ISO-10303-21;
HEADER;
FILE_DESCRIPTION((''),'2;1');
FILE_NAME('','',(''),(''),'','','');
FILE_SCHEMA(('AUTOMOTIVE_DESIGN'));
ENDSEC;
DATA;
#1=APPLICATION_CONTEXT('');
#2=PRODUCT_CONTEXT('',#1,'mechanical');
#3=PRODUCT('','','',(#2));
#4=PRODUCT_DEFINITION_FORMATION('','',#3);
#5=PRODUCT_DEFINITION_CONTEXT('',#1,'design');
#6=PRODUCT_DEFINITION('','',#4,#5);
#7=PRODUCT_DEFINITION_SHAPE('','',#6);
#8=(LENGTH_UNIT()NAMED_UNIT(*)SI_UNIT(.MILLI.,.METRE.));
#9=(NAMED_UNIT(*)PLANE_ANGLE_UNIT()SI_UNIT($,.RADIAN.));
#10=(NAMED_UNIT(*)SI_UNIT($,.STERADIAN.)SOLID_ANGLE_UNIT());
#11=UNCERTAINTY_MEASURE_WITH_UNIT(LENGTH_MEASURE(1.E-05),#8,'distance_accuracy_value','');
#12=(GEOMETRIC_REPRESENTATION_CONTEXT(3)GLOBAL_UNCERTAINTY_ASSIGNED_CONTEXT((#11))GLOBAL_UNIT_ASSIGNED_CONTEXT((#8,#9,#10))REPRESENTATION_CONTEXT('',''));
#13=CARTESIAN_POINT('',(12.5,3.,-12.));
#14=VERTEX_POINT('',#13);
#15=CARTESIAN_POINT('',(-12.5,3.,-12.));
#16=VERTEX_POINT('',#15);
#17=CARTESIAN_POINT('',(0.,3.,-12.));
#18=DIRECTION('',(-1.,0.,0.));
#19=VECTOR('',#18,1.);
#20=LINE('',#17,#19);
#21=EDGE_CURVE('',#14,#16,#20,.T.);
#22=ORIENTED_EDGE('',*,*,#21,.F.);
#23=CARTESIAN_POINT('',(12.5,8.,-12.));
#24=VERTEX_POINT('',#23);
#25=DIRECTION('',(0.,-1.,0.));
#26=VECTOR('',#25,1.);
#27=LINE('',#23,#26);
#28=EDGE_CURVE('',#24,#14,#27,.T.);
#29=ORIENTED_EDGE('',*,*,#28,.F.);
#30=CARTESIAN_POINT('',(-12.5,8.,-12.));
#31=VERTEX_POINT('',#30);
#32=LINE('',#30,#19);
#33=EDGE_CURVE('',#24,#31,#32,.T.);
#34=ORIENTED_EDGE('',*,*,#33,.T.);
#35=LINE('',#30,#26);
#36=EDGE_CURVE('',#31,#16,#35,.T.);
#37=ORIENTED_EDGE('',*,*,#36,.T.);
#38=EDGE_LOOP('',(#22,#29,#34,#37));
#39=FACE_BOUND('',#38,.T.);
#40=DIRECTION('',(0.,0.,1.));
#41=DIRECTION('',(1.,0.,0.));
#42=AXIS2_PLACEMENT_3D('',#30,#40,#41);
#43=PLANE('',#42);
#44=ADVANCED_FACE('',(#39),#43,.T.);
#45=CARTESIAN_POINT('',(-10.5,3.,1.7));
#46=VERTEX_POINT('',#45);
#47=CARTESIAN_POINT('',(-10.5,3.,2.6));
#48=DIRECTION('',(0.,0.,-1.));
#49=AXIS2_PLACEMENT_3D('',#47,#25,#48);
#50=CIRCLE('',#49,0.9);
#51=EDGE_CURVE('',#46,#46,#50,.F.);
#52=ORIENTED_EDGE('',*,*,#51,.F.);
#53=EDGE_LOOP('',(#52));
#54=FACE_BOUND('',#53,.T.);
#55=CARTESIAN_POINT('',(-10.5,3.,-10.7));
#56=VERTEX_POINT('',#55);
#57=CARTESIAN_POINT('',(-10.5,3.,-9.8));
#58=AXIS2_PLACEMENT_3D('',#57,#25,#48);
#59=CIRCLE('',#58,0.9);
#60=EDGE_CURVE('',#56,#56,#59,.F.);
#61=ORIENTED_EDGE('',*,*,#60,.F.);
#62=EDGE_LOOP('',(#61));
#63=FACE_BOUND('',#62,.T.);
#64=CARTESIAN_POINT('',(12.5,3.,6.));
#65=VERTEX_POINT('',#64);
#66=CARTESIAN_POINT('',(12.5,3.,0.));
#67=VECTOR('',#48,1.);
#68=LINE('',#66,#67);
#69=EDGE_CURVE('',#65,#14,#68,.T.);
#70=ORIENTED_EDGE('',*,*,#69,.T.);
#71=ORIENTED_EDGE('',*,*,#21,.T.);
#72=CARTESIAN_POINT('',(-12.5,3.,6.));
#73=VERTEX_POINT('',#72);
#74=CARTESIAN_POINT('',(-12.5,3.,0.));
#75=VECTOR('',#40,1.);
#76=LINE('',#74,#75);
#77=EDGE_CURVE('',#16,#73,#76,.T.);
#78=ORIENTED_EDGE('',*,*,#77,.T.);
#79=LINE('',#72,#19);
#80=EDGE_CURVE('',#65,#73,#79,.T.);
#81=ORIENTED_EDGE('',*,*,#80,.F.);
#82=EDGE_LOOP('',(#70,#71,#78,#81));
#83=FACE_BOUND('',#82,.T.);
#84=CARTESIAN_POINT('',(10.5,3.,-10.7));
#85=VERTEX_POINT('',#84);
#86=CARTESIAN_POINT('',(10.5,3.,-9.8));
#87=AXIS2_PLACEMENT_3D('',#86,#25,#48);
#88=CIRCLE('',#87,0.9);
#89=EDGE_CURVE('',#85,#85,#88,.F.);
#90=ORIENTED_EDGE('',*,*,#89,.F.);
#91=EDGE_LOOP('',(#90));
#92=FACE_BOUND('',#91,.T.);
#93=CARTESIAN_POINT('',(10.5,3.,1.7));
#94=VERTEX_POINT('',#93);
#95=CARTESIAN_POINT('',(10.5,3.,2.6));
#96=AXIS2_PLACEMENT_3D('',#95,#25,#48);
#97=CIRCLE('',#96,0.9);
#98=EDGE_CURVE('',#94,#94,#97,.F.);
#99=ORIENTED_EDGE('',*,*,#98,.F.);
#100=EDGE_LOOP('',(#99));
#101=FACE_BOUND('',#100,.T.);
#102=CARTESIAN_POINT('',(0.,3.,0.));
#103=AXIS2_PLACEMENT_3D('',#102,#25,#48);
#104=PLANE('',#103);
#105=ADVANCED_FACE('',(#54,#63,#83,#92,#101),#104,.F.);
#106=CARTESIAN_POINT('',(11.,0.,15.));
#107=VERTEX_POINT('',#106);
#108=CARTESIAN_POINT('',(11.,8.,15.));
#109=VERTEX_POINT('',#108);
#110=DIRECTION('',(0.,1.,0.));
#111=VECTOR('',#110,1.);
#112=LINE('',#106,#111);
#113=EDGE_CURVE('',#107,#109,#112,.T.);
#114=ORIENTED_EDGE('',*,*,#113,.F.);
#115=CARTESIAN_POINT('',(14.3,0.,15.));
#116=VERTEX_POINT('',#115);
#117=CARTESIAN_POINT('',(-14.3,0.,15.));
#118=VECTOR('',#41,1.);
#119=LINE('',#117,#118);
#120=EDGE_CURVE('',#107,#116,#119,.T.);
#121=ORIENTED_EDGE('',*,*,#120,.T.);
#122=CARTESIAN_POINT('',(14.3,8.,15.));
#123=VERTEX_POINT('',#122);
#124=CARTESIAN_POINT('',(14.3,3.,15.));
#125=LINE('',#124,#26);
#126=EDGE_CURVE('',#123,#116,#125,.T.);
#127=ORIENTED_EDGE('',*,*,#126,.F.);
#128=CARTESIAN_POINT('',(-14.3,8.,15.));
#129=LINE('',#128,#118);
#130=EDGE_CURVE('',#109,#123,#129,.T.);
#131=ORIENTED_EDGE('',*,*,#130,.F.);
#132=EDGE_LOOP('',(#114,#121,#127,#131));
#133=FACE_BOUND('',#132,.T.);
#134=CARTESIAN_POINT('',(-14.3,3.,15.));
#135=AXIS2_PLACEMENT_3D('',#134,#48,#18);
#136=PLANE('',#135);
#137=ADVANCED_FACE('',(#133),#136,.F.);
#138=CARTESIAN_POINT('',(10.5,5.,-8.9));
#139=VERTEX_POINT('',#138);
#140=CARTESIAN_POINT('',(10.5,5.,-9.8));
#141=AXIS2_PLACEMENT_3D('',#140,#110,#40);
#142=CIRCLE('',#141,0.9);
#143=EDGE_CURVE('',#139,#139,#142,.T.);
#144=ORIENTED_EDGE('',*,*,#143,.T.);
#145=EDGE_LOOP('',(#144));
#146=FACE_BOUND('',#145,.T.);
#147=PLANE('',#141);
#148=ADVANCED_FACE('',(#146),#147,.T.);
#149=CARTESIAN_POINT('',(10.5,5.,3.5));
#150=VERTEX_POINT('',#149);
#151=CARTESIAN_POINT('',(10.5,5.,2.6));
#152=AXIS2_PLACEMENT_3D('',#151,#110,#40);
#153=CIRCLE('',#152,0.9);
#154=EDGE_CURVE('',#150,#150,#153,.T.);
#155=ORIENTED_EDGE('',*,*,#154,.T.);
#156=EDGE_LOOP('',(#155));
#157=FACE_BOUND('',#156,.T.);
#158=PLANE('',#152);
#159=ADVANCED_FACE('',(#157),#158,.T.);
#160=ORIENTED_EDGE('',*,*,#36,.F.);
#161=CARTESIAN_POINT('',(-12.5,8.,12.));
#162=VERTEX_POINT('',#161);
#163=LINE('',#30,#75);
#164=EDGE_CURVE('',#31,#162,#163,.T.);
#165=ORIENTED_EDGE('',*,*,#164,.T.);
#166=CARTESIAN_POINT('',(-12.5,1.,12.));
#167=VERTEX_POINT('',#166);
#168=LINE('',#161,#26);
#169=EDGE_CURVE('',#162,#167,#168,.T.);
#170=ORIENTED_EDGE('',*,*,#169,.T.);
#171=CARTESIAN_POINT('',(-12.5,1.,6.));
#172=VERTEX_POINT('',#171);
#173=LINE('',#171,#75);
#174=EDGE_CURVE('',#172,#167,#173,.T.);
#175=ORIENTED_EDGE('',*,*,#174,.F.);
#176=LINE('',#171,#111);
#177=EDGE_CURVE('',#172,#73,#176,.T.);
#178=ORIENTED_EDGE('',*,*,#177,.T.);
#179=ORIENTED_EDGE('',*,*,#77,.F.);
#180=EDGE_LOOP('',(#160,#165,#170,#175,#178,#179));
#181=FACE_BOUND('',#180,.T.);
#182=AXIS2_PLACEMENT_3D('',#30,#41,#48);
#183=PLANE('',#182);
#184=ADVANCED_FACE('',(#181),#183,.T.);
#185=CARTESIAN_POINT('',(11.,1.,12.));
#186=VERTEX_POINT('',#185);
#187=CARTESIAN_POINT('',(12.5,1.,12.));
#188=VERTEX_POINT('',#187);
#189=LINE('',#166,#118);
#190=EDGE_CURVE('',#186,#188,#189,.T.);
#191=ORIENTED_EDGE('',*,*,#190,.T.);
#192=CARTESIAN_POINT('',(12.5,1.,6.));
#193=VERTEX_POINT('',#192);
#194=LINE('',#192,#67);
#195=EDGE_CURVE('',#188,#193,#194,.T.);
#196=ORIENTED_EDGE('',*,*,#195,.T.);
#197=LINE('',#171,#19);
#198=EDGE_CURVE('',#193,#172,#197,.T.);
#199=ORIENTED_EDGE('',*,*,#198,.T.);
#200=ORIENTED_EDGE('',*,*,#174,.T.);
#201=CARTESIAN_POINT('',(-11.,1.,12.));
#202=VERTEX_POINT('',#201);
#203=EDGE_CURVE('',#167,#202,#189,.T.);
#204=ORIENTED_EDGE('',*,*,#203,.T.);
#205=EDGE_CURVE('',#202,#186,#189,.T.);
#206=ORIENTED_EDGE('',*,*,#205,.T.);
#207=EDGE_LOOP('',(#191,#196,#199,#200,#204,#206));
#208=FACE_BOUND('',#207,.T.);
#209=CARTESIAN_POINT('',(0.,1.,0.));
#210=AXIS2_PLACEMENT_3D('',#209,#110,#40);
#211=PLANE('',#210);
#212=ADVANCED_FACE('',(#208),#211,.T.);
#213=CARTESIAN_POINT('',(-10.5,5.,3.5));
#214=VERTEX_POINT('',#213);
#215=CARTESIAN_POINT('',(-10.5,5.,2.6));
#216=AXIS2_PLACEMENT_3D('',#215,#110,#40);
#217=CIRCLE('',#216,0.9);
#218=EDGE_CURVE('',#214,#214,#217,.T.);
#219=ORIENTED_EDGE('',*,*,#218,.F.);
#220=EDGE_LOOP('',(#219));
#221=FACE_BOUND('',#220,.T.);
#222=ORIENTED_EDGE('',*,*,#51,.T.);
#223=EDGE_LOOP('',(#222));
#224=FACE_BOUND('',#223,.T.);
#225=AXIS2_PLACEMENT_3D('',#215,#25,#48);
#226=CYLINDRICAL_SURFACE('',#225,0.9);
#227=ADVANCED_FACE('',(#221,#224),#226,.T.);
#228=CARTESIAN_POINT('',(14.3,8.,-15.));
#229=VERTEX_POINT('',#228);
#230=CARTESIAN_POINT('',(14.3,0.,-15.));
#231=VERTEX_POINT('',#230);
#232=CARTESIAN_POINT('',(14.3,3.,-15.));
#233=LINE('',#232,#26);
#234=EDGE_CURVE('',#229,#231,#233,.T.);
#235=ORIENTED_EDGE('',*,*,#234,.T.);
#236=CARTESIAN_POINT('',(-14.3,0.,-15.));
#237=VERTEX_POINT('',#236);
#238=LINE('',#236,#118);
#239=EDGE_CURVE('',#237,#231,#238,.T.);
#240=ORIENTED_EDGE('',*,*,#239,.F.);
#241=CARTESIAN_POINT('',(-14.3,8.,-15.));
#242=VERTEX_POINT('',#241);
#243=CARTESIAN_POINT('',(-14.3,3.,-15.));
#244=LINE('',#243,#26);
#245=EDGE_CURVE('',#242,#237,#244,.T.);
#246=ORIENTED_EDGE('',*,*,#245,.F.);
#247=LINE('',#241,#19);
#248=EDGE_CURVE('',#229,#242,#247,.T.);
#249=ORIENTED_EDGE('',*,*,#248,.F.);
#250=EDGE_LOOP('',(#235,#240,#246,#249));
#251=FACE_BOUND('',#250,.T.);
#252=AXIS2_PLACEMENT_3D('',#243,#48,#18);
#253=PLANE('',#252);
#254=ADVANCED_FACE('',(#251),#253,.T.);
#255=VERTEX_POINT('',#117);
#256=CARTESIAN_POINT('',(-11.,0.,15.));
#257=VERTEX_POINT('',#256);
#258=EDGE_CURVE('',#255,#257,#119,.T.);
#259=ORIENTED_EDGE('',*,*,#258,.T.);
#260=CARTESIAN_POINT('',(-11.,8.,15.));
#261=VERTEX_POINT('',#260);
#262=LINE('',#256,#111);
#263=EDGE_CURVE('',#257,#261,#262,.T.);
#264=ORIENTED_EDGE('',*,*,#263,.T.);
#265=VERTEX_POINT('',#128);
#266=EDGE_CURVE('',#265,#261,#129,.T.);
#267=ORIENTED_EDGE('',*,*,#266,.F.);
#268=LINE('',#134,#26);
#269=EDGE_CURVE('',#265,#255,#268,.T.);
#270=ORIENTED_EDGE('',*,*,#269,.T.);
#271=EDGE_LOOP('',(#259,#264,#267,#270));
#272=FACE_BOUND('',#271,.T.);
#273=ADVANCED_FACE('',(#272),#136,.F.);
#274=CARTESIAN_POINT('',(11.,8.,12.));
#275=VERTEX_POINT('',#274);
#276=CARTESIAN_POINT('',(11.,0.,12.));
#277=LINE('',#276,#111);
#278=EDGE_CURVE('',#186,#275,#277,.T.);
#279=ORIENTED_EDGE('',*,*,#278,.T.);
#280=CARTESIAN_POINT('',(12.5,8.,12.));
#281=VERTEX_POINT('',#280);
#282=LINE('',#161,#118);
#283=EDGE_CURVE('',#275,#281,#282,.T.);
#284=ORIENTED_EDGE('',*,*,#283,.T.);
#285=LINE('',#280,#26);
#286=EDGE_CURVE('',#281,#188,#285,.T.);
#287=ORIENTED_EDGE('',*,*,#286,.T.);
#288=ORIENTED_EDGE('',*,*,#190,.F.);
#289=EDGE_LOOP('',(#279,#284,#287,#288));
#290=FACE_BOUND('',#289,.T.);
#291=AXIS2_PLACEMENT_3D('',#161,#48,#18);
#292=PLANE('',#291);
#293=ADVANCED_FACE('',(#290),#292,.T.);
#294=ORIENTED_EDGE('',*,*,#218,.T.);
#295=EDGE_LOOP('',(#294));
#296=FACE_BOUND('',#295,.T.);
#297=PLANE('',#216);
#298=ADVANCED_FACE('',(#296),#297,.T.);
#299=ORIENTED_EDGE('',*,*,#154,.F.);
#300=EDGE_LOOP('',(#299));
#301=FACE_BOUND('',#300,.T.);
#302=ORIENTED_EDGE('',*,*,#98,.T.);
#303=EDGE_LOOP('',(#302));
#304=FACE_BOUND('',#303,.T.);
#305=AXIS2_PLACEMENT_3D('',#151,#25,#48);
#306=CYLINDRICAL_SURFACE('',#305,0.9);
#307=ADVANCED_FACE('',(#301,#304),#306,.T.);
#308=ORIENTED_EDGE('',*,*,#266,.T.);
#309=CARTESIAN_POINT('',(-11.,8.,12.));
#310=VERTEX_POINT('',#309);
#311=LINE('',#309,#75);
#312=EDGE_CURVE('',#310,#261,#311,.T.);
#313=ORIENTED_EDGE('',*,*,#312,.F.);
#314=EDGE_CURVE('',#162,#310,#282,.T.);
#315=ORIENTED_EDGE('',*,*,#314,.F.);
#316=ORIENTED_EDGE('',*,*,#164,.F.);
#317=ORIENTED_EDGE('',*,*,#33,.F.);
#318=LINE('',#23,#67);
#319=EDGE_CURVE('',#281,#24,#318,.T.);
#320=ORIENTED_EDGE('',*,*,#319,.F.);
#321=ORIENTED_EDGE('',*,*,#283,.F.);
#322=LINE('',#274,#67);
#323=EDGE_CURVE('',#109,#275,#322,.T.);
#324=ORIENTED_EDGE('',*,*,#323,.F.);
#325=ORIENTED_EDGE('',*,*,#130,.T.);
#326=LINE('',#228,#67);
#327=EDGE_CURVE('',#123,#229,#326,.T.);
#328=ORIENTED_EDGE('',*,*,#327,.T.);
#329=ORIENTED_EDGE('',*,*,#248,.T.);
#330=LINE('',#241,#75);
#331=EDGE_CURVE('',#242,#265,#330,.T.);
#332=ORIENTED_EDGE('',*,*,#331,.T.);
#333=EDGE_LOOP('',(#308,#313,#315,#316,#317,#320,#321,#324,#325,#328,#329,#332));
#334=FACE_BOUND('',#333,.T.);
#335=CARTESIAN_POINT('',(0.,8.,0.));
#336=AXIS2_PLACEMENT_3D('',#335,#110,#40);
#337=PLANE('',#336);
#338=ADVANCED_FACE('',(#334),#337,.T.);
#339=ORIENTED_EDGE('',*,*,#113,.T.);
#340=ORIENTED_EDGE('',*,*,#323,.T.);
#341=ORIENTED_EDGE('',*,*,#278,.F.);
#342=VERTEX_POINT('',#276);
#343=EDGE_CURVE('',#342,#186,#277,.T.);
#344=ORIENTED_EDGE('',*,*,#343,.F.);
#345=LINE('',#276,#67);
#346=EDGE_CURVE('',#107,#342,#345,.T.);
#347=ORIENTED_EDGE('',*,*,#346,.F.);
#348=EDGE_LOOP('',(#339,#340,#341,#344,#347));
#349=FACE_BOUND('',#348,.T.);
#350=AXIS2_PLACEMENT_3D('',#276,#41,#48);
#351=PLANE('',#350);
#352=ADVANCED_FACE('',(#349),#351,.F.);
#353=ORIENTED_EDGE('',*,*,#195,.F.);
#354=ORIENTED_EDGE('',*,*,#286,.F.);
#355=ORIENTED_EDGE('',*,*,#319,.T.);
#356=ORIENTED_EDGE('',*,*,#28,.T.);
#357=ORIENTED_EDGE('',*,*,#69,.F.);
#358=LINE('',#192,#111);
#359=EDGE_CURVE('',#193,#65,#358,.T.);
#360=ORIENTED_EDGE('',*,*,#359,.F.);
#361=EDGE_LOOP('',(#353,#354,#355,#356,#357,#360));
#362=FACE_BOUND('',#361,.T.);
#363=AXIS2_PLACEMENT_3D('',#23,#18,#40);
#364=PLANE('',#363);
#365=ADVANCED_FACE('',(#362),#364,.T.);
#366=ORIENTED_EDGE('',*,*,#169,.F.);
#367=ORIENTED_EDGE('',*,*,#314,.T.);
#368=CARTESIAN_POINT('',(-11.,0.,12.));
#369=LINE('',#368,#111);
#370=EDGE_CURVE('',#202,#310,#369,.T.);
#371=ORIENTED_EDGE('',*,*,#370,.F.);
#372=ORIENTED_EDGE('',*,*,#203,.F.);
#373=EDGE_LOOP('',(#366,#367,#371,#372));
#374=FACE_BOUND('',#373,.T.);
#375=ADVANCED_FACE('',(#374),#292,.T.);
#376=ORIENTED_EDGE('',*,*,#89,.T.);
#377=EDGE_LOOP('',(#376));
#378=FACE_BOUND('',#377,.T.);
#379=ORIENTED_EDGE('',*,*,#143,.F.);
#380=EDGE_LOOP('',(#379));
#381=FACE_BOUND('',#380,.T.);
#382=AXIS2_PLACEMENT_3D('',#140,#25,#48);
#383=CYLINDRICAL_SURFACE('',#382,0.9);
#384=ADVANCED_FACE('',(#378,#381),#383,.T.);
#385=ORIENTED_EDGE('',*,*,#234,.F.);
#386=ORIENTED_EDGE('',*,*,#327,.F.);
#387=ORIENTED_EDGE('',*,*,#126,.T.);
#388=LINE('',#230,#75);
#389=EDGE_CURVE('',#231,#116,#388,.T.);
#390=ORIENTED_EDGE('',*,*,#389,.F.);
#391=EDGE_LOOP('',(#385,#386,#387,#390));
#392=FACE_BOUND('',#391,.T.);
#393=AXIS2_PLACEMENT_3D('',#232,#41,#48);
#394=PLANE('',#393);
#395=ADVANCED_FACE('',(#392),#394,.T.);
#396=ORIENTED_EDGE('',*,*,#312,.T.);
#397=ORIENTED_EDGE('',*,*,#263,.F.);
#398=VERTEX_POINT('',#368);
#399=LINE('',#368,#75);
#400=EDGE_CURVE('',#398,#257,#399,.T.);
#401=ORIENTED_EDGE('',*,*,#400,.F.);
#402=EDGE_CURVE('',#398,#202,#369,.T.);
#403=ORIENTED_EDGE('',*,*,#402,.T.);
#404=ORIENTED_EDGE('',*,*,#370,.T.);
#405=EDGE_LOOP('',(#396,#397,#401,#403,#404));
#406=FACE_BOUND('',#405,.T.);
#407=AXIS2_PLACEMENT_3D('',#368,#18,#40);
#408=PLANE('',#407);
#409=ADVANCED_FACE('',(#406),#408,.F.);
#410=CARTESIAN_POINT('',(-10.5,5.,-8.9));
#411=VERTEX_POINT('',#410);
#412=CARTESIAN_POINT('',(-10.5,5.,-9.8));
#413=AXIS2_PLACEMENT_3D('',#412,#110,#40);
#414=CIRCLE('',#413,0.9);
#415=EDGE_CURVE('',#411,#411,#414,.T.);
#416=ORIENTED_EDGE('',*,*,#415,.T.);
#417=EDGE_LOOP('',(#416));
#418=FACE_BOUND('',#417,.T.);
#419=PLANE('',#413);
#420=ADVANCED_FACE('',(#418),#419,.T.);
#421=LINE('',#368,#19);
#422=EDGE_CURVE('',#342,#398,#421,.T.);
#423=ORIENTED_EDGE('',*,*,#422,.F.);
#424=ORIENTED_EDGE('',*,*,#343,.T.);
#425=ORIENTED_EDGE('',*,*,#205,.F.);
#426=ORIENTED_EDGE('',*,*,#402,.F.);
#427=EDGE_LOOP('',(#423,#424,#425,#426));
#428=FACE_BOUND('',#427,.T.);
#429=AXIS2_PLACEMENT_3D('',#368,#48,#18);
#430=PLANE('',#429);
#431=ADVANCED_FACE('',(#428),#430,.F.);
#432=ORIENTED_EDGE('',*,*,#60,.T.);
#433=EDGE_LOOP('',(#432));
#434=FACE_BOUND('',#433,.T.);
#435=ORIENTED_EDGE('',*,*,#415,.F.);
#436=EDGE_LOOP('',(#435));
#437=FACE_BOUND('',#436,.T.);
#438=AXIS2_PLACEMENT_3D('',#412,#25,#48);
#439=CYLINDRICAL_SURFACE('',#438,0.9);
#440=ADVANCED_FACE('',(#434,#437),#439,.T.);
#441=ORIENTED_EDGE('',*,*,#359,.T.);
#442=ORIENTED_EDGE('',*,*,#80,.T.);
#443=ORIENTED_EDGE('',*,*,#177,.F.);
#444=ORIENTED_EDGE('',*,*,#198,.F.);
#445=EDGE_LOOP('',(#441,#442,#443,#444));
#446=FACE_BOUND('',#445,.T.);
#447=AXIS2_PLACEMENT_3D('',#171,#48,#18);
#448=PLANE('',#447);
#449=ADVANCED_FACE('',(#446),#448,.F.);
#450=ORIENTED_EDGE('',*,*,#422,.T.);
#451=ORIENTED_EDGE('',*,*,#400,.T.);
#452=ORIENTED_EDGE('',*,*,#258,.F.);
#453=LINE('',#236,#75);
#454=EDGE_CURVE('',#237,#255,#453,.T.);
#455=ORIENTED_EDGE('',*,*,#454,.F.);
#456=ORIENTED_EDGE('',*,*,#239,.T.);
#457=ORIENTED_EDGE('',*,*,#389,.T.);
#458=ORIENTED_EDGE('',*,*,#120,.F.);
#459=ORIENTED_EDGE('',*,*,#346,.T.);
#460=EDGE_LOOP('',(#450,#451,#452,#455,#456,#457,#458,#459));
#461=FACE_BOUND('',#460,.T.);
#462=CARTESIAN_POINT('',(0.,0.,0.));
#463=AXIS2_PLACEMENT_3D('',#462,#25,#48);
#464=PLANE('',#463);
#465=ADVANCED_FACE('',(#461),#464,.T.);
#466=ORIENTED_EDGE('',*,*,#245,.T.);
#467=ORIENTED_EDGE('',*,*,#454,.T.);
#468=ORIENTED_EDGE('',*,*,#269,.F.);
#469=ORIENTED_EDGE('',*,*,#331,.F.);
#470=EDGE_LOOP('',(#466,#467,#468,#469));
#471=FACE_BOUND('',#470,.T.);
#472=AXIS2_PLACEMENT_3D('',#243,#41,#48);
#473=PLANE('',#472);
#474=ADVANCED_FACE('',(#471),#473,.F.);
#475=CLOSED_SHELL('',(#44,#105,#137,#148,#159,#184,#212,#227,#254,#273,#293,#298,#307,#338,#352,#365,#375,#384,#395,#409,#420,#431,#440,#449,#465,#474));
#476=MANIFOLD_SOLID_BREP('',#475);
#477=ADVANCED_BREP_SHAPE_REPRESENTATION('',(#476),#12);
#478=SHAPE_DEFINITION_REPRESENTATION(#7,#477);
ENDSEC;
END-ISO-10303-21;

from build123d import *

# Parameters (mm, degrees)
SKETCH_1_W          = 28.6
SKETCH_1_H          = 30
EXTRUDE_1_DEPTH     = 3
SKETCH_1_4_W        = 28.6
SKETCH_1_4_H        = 30
SKETCH_1_4_W_2      = 25
SKETCH_1_4_H_2      = 24
EXTRUDE_2_DEPTH     = 8
SKETCH_2_W          = 22
SKETCH_2_H          = 3
CUT_EXTRUDE_1_DEPTH = 8
SKETCH_3_W          = 25
SKETCH_3_H          = 6
CUT_EXTRUDE_2_DEPTH = 2
SKETCH_4_R          = 0.9
EXTRUDE_3_DEPTH     = 2


with BuildPart() as part:
    # 草图1 → 凸台-拉伸1 (new body)
    with BuildSketch(Plane(origin=(0, 0, 0), x_dir=(1, 0, 0), z_dir=(0, 1, 0))):
        Rectangle(SKETCH_1_W, SKETCH_1_H)
    extrude(amount=EXTRUDE_1_DEPTH)

    # 草图1<4> → 凸台-拉伸2 (add)
    with BuildSketch(Plane(origin=(0, 0, 0), x_dir=(1, 0, 0), z_dir=(0, 1, 0))):
        Rectangle(SKETCH_1_4_W, SKETCH_1_4_H)
        Rectangle(SKETCH_1_4_W_2, SKETCH_1_4_H_2, mode=Mode.SUBTRACT)
    extrude(amount=EXTRUDE_2_DEPTH)

    # 草图2 → 切除-拉伸1 (cut)
    with BuildSketch(Plane(origin=(0, 8, 0), x_dir=(1, 0, 0), z_dir=(0, 1, 0))):
        with Locations((0, -13.5)):
            Rectangle(SKETCH_2_W, SKETCH_2_H)
    extrude(amount=-CUT_EXTRUDE_1_DEPTH, mode=Mode.SUBTRACT)

    # 草图3 → 切除-拉伸2 (cut)
    with BuildSketch(Plane(origin=(0, 3, 0), x_dir=(1, 0, 0), z_dir=(0, 1, 0))):
        with Locations((0, -9)):
            Rectangle(SKETCH_3_W, SKETCH_3_H)
    extrude(amount=-CUT_EXTRUDE_2_DEPTH, mode=Mode.SUBTRACT)

    # 草图4 → 凸台-拉伸3 (add)
    with BuildSketch(Plane(origin=(0, 3, 0), x_dir=(1, 0, 0), z_dir=(0, 1, 0))):
        with Locations((-10.5, 9.8)):
            Circle(SKETCH_4_R)
        with Locations((-10.5, -2.6)):
            Circle(SKETCH_4_R)
        with Locations((10.5, 9.8)):
            Circle(SKETCH_4_R)
        with Locations((10.5, -2.6)):
            Circle(SKETCH_4_R)
    extrude(amount=EXTRUDE_3_DEPTH)


solid = part.part
